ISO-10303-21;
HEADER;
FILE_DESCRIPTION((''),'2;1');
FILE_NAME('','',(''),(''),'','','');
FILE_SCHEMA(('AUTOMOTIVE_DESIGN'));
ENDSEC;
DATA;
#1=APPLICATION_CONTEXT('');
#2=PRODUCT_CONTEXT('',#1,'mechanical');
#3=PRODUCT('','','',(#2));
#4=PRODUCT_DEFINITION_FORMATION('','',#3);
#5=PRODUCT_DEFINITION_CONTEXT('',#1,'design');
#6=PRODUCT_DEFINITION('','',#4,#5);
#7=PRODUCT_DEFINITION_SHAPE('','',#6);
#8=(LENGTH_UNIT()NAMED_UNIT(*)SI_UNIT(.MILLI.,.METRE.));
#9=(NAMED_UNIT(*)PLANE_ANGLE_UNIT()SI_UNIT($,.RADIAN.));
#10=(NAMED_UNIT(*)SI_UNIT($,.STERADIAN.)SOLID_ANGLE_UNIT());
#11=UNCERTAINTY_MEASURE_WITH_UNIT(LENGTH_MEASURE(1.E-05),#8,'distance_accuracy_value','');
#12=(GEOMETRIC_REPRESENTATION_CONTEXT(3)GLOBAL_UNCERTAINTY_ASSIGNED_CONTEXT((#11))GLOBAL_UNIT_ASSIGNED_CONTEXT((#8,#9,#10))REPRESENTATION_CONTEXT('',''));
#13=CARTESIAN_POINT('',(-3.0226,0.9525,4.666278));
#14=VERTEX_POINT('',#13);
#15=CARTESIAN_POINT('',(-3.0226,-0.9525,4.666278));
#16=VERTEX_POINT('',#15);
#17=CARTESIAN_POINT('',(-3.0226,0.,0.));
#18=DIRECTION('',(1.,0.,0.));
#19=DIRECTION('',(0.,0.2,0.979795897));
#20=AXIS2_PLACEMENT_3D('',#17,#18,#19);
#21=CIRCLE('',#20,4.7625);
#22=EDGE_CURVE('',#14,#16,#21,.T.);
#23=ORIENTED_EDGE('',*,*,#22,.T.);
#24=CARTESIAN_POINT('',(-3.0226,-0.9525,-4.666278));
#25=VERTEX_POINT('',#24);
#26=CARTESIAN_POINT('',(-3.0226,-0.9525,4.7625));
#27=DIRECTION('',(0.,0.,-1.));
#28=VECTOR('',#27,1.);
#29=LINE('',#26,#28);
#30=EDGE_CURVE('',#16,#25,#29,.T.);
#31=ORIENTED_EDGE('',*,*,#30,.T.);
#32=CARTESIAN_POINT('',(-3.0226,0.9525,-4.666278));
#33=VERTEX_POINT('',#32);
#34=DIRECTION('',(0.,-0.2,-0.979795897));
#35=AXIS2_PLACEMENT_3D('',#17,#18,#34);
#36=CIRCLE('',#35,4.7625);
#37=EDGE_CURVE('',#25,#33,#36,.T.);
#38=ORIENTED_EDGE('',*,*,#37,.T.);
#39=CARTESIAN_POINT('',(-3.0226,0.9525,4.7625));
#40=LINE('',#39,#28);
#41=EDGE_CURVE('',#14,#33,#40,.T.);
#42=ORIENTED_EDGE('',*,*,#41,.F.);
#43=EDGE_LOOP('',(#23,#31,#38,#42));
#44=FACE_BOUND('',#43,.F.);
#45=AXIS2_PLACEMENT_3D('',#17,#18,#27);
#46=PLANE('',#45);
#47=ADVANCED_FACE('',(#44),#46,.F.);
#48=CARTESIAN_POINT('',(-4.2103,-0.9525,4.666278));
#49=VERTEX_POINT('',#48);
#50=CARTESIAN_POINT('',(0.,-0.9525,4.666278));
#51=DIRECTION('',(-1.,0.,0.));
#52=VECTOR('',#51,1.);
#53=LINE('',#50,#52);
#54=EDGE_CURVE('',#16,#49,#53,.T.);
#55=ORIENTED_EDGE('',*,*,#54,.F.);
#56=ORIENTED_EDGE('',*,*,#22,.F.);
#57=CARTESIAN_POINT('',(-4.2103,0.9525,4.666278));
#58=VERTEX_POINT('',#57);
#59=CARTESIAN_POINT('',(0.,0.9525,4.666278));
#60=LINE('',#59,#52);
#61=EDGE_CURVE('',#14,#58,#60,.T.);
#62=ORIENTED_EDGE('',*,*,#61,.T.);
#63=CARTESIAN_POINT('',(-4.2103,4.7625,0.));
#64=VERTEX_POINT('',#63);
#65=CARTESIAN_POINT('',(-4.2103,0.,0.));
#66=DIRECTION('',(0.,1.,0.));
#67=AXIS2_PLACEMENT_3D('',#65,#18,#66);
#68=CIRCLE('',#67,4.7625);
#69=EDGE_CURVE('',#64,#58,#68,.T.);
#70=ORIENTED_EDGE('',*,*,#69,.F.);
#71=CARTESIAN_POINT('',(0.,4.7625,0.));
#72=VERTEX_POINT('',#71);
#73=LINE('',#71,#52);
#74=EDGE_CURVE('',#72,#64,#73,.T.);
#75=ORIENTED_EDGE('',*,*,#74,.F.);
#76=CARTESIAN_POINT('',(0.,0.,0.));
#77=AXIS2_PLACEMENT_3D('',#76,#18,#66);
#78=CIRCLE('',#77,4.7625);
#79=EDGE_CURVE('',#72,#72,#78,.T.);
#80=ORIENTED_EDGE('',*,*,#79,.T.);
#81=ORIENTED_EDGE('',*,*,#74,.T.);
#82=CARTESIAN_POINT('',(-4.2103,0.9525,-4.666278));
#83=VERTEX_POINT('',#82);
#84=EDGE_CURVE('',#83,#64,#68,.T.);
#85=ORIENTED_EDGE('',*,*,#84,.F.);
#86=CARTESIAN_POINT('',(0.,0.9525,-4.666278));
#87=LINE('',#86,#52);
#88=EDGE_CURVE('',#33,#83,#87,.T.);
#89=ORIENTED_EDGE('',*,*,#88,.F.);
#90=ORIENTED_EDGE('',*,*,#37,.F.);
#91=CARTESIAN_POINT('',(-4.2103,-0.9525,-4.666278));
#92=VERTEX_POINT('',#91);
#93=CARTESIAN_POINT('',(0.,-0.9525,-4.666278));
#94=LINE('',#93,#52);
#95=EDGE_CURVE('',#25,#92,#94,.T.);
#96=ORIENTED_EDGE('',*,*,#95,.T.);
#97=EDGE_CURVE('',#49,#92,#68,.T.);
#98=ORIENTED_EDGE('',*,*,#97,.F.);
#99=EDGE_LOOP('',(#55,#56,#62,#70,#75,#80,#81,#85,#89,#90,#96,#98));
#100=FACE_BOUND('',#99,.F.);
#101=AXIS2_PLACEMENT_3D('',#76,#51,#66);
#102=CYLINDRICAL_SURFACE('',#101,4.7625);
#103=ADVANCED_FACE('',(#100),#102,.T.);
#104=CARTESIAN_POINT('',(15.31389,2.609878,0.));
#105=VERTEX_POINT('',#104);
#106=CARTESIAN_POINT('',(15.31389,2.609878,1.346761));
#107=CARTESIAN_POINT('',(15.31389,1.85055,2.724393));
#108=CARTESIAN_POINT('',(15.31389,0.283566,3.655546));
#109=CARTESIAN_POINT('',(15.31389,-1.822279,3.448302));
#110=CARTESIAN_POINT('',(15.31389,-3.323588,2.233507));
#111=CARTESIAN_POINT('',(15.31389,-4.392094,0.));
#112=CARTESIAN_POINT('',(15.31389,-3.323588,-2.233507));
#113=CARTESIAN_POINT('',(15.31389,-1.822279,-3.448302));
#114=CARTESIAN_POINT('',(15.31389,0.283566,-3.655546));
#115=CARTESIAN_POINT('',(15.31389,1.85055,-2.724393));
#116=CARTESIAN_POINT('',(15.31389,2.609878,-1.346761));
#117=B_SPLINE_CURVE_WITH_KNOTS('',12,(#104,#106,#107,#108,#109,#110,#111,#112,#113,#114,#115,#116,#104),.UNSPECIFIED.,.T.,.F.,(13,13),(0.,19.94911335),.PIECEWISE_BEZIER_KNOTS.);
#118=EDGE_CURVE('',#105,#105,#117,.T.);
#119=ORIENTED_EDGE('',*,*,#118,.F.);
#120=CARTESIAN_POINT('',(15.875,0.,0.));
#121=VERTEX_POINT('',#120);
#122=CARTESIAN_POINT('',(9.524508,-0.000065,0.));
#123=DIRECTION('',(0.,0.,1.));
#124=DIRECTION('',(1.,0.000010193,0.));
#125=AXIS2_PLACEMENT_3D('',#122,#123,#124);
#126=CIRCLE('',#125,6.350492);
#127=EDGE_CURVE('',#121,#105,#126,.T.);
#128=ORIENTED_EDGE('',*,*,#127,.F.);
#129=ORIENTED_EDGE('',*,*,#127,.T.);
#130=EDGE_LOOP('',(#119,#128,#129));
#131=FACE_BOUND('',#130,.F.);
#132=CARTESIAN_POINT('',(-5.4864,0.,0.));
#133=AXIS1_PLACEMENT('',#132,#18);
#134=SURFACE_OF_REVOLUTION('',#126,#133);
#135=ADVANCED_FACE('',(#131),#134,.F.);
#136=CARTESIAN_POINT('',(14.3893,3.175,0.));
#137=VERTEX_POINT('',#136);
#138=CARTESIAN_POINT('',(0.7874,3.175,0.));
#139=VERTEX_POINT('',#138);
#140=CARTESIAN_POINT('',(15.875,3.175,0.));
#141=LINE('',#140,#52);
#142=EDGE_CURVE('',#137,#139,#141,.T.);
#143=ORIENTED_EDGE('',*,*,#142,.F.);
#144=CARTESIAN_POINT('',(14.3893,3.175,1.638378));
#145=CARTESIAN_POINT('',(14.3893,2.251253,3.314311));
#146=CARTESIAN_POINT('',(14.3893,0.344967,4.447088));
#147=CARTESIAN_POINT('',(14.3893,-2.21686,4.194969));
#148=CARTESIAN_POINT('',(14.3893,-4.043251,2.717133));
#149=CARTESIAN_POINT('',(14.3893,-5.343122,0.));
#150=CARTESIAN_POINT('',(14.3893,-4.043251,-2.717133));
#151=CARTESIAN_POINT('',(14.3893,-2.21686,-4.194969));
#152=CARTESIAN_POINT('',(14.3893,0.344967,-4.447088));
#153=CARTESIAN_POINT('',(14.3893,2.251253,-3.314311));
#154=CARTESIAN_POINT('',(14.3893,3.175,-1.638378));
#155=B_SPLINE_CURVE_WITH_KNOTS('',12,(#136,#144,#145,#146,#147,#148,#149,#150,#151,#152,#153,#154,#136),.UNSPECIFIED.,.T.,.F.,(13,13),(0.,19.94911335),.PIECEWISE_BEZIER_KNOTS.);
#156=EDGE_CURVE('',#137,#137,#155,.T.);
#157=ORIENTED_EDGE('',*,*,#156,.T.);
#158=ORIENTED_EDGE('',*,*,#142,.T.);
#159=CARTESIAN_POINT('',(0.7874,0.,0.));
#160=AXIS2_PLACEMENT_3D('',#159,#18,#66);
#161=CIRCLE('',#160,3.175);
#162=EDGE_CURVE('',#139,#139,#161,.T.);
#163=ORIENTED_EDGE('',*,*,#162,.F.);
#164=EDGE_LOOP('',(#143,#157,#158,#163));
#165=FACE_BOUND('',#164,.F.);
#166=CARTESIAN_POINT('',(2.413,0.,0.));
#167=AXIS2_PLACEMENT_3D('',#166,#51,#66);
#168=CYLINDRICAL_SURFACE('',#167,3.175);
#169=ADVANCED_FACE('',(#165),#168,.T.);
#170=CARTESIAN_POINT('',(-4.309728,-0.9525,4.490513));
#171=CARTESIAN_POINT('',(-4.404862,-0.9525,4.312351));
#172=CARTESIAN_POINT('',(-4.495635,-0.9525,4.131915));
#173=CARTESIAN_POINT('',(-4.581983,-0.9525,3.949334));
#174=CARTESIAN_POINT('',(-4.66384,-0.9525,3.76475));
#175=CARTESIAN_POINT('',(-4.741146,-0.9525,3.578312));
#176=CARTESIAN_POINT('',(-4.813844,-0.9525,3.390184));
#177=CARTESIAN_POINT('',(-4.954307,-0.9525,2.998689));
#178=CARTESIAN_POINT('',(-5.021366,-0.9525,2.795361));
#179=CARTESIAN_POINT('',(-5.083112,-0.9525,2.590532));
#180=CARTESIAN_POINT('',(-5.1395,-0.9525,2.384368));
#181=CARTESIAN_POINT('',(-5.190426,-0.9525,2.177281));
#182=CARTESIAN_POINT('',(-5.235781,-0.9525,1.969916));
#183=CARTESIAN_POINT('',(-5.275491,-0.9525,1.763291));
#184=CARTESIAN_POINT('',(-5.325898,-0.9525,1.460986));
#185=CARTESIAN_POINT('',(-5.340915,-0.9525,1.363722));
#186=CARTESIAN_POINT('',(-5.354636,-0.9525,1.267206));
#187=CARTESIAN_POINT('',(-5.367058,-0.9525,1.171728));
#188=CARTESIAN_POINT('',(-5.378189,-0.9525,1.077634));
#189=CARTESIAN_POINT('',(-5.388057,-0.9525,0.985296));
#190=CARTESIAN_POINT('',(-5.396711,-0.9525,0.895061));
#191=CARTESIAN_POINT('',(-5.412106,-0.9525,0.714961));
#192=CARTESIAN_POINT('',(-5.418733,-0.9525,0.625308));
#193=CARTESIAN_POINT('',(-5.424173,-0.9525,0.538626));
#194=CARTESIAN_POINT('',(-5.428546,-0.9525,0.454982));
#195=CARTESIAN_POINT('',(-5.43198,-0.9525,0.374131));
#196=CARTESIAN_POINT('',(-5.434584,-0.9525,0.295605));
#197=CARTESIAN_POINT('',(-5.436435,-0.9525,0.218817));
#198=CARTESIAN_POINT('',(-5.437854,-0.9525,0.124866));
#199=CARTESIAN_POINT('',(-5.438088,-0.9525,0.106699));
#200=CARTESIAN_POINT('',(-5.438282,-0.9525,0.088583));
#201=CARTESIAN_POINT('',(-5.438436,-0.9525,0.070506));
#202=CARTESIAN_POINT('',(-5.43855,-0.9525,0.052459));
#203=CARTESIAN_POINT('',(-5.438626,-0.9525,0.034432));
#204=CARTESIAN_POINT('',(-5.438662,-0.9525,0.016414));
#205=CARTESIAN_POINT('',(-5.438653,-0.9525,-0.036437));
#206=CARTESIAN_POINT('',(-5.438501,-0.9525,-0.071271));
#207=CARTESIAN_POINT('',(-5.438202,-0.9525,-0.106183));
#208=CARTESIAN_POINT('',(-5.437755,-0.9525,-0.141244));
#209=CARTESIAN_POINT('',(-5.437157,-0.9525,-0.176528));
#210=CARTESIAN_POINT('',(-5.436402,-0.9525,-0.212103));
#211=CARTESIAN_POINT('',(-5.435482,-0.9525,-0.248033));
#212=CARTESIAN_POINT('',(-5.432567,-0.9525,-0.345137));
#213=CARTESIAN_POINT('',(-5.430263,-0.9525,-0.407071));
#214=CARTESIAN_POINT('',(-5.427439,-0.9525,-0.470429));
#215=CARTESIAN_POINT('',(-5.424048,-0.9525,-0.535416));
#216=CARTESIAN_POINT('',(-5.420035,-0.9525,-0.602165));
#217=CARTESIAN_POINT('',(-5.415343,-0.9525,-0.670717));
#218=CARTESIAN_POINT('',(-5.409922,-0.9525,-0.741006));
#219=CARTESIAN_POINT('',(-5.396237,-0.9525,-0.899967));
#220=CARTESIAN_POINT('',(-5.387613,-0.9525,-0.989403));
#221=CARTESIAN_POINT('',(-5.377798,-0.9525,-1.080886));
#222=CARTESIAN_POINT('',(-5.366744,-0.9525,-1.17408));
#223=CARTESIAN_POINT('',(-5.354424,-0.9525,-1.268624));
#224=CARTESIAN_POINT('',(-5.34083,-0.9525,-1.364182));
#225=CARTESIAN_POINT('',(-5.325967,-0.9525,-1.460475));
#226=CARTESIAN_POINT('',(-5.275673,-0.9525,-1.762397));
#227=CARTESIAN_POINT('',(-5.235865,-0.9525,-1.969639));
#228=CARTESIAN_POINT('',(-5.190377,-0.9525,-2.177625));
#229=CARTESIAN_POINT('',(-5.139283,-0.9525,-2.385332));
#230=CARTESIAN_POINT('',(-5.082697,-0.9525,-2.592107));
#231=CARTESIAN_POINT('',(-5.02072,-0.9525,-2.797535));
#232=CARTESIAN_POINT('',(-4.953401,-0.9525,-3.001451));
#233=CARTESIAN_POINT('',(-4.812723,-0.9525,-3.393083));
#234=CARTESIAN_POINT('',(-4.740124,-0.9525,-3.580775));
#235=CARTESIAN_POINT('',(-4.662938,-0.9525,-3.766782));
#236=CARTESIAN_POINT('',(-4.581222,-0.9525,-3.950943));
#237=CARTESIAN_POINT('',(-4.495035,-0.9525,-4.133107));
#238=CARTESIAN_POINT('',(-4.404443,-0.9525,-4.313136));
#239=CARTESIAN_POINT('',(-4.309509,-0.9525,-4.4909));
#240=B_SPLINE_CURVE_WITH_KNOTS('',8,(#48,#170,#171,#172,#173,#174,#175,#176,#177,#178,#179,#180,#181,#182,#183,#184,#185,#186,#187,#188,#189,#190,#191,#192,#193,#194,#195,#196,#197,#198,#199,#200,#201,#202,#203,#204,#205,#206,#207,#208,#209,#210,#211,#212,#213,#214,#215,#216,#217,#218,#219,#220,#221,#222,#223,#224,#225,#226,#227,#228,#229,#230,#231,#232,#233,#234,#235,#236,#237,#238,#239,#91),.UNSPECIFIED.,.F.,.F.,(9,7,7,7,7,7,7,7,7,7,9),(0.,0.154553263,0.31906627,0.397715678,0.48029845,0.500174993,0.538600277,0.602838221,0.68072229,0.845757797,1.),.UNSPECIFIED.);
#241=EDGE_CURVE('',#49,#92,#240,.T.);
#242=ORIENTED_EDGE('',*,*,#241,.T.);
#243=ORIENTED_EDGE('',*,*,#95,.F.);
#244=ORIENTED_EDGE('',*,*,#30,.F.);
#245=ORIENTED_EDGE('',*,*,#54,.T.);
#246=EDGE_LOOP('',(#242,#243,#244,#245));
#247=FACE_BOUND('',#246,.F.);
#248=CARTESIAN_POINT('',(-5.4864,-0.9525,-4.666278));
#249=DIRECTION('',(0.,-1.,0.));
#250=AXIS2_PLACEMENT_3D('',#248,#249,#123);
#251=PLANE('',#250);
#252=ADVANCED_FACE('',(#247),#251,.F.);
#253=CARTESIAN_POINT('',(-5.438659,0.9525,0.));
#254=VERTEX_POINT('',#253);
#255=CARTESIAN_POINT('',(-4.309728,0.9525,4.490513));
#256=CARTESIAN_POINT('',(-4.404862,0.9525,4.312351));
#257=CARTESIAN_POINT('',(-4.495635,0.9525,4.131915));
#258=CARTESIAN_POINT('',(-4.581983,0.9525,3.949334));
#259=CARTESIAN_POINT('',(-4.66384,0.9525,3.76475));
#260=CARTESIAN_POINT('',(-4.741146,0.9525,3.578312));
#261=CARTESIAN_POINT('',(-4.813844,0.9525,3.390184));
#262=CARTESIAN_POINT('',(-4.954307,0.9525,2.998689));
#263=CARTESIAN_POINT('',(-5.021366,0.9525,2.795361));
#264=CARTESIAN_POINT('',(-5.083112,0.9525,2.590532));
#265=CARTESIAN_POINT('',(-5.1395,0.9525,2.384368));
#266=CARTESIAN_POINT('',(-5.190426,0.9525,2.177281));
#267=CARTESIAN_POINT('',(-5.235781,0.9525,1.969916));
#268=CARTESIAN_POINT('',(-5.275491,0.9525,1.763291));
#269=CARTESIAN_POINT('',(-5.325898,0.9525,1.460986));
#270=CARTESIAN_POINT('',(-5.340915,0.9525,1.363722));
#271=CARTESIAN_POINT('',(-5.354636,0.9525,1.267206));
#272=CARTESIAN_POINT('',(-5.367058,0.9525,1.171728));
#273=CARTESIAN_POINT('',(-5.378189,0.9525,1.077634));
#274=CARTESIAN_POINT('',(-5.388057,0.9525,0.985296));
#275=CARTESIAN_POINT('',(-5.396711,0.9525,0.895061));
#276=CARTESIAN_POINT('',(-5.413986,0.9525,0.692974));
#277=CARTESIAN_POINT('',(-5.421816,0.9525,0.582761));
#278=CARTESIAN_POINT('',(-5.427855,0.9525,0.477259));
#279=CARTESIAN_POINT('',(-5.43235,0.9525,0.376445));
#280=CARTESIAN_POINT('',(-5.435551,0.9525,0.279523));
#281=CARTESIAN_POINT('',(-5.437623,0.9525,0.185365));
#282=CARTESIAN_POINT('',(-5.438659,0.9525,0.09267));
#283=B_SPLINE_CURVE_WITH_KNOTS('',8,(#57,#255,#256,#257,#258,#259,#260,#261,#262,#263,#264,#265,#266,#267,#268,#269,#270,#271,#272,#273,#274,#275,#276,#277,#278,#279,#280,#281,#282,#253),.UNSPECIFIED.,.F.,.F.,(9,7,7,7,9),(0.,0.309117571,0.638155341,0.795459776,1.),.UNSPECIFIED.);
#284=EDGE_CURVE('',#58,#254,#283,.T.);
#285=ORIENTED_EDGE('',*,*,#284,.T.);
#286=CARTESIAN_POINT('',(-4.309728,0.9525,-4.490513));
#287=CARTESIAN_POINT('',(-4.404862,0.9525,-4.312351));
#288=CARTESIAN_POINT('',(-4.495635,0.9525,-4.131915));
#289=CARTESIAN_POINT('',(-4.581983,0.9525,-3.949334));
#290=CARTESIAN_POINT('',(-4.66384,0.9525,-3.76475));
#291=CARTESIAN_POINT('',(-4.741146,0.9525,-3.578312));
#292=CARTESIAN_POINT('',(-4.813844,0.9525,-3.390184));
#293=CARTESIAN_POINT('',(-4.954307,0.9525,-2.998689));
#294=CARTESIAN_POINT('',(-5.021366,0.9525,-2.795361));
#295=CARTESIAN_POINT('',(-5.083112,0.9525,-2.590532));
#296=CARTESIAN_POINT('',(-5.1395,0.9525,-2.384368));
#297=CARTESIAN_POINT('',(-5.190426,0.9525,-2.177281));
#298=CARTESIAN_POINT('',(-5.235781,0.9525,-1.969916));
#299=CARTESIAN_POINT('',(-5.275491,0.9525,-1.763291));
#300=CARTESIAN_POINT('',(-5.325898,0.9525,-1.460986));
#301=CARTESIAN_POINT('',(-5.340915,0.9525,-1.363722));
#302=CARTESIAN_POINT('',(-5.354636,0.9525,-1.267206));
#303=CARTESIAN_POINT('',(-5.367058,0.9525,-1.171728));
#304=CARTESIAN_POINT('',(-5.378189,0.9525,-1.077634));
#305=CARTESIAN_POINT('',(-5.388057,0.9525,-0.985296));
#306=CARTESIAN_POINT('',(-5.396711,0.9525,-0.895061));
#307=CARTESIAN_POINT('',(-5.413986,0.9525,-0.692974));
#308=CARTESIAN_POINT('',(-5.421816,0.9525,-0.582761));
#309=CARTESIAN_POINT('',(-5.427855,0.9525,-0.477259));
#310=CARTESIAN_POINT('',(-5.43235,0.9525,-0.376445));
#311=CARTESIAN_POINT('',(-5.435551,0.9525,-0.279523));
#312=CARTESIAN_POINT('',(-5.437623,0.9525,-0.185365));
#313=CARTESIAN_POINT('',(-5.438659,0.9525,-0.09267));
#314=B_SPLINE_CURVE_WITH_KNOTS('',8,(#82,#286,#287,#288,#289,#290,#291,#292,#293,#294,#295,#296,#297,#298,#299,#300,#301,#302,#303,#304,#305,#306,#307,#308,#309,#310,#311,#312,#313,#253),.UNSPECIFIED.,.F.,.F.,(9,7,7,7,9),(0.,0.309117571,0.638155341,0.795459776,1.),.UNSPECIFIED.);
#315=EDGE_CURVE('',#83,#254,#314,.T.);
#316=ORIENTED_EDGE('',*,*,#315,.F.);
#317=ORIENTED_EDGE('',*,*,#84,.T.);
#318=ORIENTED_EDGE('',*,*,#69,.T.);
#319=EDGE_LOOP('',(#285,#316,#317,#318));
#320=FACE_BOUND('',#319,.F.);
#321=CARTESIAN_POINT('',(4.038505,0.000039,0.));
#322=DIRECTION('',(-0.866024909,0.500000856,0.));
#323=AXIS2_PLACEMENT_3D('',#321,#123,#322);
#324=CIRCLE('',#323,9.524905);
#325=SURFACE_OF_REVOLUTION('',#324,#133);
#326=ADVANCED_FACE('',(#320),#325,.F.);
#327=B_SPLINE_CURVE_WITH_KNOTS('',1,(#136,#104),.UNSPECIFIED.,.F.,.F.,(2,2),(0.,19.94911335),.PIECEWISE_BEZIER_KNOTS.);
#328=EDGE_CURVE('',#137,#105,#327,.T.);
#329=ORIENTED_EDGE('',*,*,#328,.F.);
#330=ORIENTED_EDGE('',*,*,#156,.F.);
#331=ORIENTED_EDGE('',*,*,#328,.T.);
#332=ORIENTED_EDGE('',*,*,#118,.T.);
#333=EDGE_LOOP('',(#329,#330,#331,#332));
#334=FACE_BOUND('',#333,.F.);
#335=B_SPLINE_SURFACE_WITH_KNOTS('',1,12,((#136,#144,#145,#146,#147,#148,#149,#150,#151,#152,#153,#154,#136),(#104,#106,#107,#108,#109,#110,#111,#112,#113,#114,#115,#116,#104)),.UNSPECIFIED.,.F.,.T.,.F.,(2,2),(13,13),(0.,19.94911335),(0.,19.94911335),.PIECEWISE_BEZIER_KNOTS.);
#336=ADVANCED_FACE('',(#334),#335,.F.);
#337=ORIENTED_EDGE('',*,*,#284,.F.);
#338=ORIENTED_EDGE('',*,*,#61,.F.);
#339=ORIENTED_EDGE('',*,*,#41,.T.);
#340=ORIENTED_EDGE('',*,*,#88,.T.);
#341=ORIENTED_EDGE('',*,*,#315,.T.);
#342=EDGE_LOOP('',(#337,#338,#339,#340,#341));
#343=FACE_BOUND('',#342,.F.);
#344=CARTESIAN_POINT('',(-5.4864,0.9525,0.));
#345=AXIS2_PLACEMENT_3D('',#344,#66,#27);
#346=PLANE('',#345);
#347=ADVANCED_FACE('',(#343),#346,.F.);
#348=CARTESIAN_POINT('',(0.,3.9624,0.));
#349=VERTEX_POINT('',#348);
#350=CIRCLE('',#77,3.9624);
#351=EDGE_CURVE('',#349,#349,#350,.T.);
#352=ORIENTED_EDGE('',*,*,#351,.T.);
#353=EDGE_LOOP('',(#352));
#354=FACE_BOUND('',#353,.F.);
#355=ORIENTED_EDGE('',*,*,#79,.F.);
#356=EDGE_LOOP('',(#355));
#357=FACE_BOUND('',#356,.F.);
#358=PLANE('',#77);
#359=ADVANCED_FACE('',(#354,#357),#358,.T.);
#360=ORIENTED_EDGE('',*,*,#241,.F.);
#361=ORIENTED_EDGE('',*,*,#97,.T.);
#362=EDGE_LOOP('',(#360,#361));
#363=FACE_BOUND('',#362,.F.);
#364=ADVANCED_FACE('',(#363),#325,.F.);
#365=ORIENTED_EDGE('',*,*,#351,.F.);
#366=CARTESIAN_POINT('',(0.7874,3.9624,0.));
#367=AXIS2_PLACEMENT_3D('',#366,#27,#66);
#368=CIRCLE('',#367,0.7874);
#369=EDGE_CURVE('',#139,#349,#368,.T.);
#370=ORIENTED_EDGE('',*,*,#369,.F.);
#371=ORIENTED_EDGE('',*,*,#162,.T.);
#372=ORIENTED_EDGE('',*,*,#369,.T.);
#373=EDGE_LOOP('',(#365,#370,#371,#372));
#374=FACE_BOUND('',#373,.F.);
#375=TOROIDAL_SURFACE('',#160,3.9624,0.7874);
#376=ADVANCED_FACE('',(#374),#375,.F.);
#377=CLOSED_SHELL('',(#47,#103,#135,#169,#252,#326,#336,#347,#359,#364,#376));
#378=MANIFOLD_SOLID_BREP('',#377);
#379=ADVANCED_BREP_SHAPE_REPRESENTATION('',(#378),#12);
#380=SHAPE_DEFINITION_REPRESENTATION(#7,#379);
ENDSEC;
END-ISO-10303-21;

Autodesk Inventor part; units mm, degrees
ref_plane "YZ Plane" through (0, 0, 0) normal (1, 0, 0) x (0, 1, 0)
sketch "Sketch1" plane through (0, 0, 0) normal (0, 0, 1) x (1, 0, 0)
  line L0 (-5.4864, 0) -> (15.875, 0)
  line L1 (15.875, 0) -> (15.875, 3.175)
  line L2 (15.875, 3.175) -> (3.175, 3.175)
  line L3 (3.175, 3.175) -> (2.413, 3.175)
  line L4 (2.413, 3.175) -> (0, 3.175)
  line L5 (0, 3.175) -> (0, 4.7625)
  line L6 (-10.1349, 0) -> (20.21, 0) projected
  line L7 (0, -0.9693) -> (0, 5.8158) projected
  line L8 (0, 4.7625) -> (-4.2103, 4.7625)
  arc A0 (-4.2103, 4.7625) -> (-5.4864, 0) centre (4.0386, 0) ccw
  line L9 (3.175, 3.175) -> (0, 3.175) construction
  dimension "d0" = 15.875
  dimension "d1" = 12.7
  dimension "d2" = 0.762
  dimension "d3" = 5.4864
  dimension "d4" = 6.35
  dimension "d5" = 6.35
  dimension "d9" = 9.525
  dimension "d10" = 0
  dimension "d13" = 9.525
revolve "Body" add sketch "Sketch1" angle 360 about axis through (-5.4864, 0, 0) along (1, 0, 0)
ref_plane "IDS_WORKPLANE{1}" through (-5.4864, 0, 0) normal (1, 0, 0) x (0, 0, -1)
sketch "Sketch2" plane through (-5.4864, 0, 0) normal (1, 0, 0) x (0, 0, -1)
  circle A0 centre (0, 0) radius 4.7625 projected
  line L0 (0, -6.6675) -> (0, 6.6675) projected
  line L1 (6.6675, 0) -> (-6.6675, 0) projected
  line L2 (-4.7625, 0.9525) -> (4.7625, 0.9525)
  line L3 (4.7625, 0.9525) -> (4.7625, -0.9525)
  line L4 (4.7625, -0.9525) -> (-4.7625, -0.9525)
  line L5 (-4.7625, -0.9525) -> (-4.7625, 0.9525)
  line L6 (-4.7625, 0) -> (4.7625, 0) construction
  line L7 (0, 0.9525) -> (0, -0.9525) construction
  dimension "d15" = 1.905
extrude "Slot" cut sketch "Sketch2" along normal blind 2.4638 contours L1 L0 L2 A0 | L3 L4 A0 | A0 L4 L0 L1 | A0 L2 L3 | L1 A0 L2 L0 | L0 L4 A0 L1 | L5 L2 A0 | A0 L4 L5
thread "Thread" size "1/4-20 UNC" class "2A" standard "ANSI Unified Screw Threads" length 12.7
sketch "Sketch3" plane through (0, 0, 0) normal (0, 0, 1) x (1, 0, 0)
  line L0 (15.875, 0) -> (15.875, 3.175) projected
  line L1 (15.875, 3.175) -> (3.175, 3.175) projected
  line L2 (-5.4864, 0) -> (15.875, 0) projected
  arc A0 (15.875, 0) -> (15.0243, 3.175) centre (9.525, 0) ccw
  line L3 (15.875, -3.175) -> (15.875, 3.175) projected
  line L4 (15.0243, 3.175) -> (15.0243, 0)
  line L5 (15.0243, 0) -> (15.875, 0)
  dimension "d40" = 6.35
revolve "Fillet1" cut sketch "Sketch3" angle 360 about axis through (-5.4864, 0, 0) along (1, 0, 0) contours A0 L1 L0
chamfer "Chamfer" distance 0.635 angle 45 1 edges at (15.0243, -3.175, 0)
ref_plane "Work Plane2" through (41.275, 0, 0) normal (0, 0, -1) x (1, 0, 0)
fillet "Fillet4" radius 0.7874 1 edges at (0, -3.175, 0)
equation "\"d0\" = NLG"
equation "\"d1\" = GEL"
equation "\"d2\" = GAL"
equation "\"d3\" = KOH"
equation "\"d4\" = GD"
equation "\"d5\" = BDM"
equation "\"d9\" = KOD"
equation "\"d13\" = KR"
equation "\"d15\" = SBR"
equation "\"d16\" = STI"
equation "\"d40\" = GD"
equation "\"d46\" = R"
equation "\"d11\" = GEL"
equation "\"d43\" = 0.5 * RR"
equation "\"GD\" = NND"
equation "\"NLG\" = 15.875"
equation "\"GEL\" = 12.7"
equation "\"KOD\" = 9.525"
equation "\"KOH\" = 5.4864"
equation "\"GAL\" = 0.762"
equation "\"BDM\" = NND"
equation "\"SBR\" = 1.905"
equation "\"STI\" = 2.4638"
equation "\"KEWI\" = 0"
equation "\"KR\" = KOD"
equation "\"d14\" = -KOH"
equation "\"R\" = 0.7874"
equation "\"THREADDIA\" = 6.35"
equation "\"TOA\" = 30deg"
equation "\"KOH1\" = 4.3688"
equation "\"NND\" = 6.35"
equation "\"GD1\" = 4.8387"
equation "\"THREADDESC\" = 1.2345"
equation "\"RR\" = 1.27"
properties part number "ANSI B18.6.2 - 1/4-20 UNC - 0.625, SFHCSI" material "Steel, Mild"
